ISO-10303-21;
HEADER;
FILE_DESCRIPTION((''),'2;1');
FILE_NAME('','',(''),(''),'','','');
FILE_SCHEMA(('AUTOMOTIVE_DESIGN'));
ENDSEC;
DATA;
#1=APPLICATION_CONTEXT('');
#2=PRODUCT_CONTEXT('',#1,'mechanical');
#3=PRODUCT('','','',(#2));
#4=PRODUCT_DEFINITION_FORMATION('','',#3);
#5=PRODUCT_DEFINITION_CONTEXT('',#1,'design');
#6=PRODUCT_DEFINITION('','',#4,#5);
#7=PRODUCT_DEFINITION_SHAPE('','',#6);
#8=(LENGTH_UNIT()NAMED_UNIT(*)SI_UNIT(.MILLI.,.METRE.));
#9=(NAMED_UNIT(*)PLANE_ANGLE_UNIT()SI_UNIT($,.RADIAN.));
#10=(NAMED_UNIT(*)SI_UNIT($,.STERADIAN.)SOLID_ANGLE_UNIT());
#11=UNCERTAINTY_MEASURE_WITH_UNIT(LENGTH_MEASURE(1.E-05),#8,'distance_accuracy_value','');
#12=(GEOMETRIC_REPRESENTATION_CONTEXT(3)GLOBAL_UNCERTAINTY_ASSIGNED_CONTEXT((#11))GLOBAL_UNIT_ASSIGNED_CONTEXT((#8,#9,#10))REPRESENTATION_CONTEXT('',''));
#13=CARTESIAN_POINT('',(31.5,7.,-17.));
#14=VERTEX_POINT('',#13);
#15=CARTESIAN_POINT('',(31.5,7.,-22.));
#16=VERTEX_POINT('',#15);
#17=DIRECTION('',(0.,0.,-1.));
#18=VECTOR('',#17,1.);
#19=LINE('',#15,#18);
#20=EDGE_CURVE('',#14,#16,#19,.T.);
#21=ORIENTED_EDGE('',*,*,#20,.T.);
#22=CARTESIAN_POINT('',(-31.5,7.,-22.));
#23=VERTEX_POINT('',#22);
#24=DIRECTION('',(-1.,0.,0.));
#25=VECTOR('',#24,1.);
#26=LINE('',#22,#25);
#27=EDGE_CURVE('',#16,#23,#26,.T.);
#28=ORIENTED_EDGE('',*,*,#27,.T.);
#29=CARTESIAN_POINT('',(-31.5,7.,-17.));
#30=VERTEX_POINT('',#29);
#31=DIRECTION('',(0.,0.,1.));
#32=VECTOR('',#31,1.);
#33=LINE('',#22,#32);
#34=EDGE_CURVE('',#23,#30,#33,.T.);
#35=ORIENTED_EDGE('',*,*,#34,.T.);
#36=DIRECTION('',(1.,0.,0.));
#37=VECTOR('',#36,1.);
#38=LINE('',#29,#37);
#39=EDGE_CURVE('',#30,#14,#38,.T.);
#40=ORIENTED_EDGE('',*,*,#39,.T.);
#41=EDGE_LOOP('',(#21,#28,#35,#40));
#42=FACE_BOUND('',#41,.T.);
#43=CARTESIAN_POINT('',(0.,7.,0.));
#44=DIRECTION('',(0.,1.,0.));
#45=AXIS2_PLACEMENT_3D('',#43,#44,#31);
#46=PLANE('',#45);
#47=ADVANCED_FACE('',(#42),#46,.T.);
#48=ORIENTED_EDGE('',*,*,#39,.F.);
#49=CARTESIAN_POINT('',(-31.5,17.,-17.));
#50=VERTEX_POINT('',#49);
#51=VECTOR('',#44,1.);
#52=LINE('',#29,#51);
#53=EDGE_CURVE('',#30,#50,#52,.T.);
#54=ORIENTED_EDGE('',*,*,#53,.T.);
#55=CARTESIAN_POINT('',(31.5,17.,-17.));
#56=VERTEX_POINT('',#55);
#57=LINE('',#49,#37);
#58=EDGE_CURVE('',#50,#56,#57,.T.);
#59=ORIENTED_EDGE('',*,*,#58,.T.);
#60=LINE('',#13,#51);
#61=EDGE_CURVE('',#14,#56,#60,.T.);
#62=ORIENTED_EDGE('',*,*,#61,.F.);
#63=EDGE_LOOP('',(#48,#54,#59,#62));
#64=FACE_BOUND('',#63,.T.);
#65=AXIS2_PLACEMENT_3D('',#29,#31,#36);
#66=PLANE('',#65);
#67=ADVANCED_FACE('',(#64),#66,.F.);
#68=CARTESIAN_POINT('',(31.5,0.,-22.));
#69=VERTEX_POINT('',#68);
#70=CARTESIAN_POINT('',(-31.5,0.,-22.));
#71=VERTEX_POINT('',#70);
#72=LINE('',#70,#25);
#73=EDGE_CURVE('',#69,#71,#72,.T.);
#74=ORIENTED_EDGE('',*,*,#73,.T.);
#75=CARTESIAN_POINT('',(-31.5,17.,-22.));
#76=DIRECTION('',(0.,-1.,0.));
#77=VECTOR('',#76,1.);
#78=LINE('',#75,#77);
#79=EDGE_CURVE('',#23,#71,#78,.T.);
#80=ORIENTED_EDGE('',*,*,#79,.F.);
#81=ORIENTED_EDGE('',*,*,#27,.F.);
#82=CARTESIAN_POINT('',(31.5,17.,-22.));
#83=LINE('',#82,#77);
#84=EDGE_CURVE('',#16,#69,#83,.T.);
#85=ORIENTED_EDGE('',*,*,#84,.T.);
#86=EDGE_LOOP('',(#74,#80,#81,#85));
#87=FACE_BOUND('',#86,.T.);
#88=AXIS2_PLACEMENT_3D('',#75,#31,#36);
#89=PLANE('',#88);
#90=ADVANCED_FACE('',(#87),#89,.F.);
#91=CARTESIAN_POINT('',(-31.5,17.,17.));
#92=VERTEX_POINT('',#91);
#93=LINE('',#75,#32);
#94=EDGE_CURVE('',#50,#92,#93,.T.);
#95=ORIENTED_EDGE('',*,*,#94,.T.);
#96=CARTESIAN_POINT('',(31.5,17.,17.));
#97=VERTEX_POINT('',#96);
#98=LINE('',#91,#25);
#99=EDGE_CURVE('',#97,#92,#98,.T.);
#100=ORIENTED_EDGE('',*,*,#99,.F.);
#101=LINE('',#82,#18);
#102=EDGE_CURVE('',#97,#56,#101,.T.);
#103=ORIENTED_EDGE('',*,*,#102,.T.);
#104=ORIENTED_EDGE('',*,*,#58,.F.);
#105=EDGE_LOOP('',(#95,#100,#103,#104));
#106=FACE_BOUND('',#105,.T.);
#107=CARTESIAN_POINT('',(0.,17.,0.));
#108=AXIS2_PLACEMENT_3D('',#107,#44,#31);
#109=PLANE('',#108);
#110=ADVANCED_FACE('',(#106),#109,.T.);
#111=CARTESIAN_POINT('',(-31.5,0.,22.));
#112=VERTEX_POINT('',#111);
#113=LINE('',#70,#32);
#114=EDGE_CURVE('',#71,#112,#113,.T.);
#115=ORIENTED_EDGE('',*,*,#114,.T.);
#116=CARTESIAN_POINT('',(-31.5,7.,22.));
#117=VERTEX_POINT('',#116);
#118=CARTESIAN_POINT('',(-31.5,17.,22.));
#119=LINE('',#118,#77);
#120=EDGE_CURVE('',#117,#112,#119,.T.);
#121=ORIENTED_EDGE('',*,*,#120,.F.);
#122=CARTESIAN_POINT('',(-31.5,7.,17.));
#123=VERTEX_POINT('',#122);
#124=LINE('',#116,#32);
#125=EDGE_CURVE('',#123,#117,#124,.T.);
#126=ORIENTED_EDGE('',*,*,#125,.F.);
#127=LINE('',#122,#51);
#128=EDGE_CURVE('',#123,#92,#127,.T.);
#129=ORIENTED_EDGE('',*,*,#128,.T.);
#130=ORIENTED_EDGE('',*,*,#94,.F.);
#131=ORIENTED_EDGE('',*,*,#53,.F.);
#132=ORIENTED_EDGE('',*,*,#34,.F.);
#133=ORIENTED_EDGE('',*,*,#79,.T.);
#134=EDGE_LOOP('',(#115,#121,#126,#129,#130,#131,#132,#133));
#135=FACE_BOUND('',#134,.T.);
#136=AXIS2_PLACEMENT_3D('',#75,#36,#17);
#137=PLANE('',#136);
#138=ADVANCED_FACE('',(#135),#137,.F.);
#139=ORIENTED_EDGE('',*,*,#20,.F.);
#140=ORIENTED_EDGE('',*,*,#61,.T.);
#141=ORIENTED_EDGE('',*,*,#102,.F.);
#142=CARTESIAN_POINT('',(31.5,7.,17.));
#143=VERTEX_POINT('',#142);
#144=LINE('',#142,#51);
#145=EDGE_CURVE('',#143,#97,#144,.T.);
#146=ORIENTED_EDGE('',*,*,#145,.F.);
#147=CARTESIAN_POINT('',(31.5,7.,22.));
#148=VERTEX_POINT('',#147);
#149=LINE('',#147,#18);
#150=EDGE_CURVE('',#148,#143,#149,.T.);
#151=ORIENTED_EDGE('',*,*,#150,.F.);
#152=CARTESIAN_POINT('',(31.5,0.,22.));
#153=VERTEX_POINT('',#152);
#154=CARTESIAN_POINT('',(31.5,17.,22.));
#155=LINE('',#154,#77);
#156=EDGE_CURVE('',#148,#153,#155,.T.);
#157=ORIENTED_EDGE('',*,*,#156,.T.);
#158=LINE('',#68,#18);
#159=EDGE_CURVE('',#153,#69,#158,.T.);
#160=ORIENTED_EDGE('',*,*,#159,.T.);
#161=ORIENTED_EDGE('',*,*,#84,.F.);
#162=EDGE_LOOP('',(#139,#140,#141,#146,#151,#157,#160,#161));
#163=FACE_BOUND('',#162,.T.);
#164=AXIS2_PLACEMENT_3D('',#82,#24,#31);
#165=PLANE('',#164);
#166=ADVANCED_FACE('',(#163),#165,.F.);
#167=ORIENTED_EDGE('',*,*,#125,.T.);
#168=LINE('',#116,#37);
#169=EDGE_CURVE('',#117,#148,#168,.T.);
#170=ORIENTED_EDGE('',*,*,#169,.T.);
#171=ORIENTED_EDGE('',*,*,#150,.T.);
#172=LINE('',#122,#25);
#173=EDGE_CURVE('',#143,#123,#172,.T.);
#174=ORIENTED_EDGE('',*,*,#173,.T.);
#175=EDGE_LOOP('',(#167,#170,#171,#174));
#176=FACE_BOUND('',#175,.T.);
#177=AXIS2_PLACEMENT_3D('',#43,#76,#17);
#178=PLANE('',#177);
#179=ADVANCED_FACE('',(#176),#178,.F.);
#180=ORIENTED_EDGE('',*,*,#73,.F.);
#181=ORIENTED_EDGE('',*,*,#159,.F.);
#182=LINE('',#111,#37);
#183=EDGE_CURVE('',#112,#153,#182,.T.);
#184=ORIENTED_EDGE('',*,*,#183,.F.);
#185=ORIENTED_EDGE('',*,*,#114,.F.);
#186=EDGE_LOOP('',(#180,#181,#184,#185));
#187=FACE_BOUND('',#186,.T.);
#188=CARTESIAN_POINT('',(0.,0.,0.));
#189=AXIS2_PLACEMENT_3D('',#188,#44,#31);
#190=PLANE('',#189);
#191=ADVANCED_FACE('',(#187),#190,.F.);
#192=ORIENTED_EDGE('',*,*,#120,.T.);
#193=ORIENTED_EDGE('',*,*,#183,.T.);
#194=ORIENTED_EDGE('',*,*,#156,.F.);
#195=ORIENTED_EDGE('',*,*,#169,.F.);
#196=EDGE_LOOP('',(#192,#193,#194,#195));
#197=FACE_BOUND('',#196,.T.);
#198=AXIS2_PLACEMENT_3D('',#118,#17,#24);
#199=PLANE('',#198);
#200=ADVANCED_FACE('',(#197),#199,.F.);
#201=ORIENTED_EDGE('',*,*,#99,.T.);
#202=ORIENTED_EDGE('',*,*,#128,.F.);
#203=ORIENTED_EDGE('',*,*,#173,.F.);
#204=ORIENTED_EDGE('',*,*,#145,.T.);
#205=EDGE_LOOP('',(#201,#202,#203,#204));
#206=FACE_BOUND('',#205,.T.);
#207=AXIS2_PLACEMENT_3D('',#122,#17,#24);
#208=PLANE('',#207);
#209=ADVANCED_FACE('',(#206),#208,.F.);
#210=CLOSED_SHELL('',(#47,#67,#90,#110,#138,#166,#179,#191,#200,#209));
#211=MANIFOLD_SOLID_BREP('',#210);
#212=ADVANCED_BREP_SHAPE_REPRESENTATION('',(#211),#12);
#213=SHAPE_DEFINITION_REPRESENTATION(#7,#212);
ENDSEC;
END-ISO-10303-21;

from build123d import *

# Parameters (mm, degrees)
SKETCH1_W           = 63
SKETCH1_H           = 44
BOSS_EXTRUDE1_DEPTH = 17
SKETCH2_W           = 63
SKETCH2_H           = 5
CUT_EXTRUDE1_DEPTH  = 10


with BuildPart() as part:
    # Sketch1 → Boss-Extrude1 (new body)
    with BuildSketch(Plane(origin=(0, 0, 0), x_dir=(1, 0, 0), z_dir=(0, 1, 0))):
        Rectangle(SKETCH1_W, SKETCH1_H)
    extrude(amount=BOSS_EXTRUDE1_DEPTH)

    # Sketch2 → Cut-Extrude1 (cut)
    with BuildSketch(Plane(origin=(0, 17, 0), x_dir=(1, 0, 0), z_dir=(0, 1, 0))):
        with Locations((0, 19.5)):
            Rectangle(SKETCH2_W, SKETCH2_H)
        with Locations((0, -19.5)):
            Rectangle(SKETCH2_W, SKETCH2_H)
    extrude(amount=-CUT_EXTRUDE1_DEPTH, mode=Mode.SUBTRACT)


solid = part.part
